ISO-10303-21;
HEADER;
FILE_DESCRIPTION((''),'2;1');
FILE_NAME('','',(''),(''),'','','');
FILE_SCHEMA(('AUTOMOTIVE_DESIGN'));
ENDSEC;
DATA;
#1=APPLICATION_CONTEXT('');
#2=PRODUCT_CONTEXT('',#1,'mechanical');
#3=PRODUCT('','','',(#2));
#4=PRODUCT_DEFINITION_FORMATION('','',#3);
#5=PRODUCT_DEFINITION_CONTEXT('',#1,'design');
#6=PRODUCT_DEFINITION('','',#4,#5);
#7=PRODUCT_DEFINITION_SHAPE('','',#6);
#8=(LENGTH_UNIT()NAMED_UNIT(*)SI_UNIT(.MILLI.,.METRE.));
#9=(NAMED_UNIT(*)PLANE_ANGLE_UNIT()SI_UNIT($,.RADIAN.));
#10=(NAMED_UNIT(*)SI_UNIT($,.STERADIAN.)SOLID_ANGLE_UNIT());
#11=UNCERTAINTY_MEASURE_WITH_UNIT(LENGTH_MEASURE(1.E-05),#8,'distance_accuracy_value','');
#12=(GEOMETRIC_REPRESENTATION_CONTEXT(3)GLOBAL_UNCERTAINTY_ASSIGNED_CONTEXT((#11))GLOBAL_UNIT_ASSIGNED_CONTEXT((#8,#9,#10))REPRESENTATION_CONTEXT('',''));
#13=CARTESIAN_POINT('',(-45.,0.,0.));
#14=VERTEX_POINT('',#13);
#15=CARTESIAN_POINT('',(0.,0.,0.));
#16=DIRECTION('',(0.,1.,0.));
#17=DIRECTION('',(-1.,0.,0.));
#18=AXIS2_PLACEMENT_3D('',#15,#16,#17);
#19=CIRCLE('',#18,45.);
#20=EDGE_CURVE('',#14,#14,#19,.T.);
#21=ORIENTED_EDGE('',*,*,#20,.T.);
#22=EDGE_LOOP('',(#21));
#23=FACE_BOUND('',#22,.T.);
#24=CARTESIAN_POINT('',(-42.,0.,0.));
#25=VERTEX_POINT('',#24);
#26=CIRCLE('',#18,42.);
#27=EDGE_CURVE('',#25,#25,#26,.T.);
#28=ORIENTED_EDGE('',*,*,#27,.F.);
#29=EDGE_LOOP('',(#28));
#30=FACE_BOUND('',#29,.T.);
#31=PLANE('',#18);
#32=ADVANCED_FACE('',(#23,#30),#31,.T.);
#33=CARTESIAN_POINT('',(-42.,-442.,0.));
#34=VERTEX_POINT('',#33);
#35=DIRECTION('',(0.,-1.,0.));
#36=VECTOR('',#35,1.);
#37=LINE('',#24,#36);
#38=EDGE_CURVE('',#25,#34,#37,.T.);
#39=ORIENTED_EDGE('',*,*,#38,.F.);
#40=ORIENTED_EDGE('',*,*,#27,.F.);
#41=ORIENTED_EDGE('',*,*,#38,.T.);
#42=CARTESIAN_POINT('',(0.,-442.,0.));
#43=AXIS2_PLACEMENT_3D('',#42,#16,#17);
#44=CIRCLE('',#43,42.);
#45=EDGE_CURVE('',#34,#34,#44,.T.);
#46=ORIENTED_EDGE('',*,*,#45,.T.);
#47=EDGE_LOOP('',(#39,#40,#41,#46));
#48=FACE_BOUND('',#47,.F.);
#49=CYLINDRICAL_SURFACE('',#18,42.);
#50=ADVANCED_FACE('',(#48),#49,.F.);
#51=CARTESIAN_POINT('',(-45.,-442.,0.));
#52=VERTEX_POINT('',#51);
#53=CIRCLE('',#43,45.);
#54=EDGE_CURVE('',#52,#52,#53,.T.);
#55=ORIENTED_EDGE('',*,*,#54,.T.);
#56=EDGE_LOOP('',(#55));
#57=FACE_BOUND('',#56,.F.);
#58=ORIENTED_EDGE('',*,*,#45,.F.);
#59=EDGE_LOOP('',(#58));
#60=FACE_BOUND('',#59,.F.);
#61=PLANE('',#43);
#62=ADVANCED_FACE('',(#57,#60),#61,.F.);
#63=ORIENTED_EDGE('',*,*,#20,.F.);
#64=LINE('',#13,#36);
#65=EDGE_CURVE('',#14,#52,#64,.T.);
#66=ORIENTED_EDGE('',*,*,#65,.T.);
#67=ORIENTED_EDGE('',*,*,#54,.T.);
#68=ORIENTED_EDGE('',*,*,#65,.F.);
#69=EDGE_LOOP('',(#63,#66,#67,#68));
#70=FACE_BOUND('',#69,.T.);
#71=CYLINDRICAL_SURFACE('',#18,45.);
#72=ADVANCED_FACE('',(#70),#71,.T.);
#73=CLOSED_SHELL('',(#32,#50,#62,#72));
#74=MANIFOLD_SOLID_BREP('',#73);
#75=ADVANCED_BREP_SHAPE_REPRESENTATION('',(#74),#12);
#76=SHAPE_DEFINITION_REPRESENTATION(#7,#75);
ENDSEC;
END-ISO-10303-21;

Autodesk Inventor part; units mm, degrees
ref_plane "YZ Plane" through (0, 0, 0) normal (1, 0, 0) x (0, 1, 0)
ref_plane "XZ Plane" through (0, 0, 0) normal (0, 1, 0) x (-1, 0, 0)
ref_plane "XY Plane" through (0, 0, 0) normal (0, 0, 1) x (1, 0, 0)
sketch "Sketch1" plane through (0, 0, 0) normal (0, 1, 0) x (-1, 0, 0)
  circle A0 centre (0, 0) radius 45
  circle A1 centre (0, 0) radius 42
  dimension "d0" = 90
  dimension "d1" = 3
extrude "Extrusion1" add sketch "Sketch1" against normal blind 442
properties part number "PRS 1615 FDS tube 5_D940"
